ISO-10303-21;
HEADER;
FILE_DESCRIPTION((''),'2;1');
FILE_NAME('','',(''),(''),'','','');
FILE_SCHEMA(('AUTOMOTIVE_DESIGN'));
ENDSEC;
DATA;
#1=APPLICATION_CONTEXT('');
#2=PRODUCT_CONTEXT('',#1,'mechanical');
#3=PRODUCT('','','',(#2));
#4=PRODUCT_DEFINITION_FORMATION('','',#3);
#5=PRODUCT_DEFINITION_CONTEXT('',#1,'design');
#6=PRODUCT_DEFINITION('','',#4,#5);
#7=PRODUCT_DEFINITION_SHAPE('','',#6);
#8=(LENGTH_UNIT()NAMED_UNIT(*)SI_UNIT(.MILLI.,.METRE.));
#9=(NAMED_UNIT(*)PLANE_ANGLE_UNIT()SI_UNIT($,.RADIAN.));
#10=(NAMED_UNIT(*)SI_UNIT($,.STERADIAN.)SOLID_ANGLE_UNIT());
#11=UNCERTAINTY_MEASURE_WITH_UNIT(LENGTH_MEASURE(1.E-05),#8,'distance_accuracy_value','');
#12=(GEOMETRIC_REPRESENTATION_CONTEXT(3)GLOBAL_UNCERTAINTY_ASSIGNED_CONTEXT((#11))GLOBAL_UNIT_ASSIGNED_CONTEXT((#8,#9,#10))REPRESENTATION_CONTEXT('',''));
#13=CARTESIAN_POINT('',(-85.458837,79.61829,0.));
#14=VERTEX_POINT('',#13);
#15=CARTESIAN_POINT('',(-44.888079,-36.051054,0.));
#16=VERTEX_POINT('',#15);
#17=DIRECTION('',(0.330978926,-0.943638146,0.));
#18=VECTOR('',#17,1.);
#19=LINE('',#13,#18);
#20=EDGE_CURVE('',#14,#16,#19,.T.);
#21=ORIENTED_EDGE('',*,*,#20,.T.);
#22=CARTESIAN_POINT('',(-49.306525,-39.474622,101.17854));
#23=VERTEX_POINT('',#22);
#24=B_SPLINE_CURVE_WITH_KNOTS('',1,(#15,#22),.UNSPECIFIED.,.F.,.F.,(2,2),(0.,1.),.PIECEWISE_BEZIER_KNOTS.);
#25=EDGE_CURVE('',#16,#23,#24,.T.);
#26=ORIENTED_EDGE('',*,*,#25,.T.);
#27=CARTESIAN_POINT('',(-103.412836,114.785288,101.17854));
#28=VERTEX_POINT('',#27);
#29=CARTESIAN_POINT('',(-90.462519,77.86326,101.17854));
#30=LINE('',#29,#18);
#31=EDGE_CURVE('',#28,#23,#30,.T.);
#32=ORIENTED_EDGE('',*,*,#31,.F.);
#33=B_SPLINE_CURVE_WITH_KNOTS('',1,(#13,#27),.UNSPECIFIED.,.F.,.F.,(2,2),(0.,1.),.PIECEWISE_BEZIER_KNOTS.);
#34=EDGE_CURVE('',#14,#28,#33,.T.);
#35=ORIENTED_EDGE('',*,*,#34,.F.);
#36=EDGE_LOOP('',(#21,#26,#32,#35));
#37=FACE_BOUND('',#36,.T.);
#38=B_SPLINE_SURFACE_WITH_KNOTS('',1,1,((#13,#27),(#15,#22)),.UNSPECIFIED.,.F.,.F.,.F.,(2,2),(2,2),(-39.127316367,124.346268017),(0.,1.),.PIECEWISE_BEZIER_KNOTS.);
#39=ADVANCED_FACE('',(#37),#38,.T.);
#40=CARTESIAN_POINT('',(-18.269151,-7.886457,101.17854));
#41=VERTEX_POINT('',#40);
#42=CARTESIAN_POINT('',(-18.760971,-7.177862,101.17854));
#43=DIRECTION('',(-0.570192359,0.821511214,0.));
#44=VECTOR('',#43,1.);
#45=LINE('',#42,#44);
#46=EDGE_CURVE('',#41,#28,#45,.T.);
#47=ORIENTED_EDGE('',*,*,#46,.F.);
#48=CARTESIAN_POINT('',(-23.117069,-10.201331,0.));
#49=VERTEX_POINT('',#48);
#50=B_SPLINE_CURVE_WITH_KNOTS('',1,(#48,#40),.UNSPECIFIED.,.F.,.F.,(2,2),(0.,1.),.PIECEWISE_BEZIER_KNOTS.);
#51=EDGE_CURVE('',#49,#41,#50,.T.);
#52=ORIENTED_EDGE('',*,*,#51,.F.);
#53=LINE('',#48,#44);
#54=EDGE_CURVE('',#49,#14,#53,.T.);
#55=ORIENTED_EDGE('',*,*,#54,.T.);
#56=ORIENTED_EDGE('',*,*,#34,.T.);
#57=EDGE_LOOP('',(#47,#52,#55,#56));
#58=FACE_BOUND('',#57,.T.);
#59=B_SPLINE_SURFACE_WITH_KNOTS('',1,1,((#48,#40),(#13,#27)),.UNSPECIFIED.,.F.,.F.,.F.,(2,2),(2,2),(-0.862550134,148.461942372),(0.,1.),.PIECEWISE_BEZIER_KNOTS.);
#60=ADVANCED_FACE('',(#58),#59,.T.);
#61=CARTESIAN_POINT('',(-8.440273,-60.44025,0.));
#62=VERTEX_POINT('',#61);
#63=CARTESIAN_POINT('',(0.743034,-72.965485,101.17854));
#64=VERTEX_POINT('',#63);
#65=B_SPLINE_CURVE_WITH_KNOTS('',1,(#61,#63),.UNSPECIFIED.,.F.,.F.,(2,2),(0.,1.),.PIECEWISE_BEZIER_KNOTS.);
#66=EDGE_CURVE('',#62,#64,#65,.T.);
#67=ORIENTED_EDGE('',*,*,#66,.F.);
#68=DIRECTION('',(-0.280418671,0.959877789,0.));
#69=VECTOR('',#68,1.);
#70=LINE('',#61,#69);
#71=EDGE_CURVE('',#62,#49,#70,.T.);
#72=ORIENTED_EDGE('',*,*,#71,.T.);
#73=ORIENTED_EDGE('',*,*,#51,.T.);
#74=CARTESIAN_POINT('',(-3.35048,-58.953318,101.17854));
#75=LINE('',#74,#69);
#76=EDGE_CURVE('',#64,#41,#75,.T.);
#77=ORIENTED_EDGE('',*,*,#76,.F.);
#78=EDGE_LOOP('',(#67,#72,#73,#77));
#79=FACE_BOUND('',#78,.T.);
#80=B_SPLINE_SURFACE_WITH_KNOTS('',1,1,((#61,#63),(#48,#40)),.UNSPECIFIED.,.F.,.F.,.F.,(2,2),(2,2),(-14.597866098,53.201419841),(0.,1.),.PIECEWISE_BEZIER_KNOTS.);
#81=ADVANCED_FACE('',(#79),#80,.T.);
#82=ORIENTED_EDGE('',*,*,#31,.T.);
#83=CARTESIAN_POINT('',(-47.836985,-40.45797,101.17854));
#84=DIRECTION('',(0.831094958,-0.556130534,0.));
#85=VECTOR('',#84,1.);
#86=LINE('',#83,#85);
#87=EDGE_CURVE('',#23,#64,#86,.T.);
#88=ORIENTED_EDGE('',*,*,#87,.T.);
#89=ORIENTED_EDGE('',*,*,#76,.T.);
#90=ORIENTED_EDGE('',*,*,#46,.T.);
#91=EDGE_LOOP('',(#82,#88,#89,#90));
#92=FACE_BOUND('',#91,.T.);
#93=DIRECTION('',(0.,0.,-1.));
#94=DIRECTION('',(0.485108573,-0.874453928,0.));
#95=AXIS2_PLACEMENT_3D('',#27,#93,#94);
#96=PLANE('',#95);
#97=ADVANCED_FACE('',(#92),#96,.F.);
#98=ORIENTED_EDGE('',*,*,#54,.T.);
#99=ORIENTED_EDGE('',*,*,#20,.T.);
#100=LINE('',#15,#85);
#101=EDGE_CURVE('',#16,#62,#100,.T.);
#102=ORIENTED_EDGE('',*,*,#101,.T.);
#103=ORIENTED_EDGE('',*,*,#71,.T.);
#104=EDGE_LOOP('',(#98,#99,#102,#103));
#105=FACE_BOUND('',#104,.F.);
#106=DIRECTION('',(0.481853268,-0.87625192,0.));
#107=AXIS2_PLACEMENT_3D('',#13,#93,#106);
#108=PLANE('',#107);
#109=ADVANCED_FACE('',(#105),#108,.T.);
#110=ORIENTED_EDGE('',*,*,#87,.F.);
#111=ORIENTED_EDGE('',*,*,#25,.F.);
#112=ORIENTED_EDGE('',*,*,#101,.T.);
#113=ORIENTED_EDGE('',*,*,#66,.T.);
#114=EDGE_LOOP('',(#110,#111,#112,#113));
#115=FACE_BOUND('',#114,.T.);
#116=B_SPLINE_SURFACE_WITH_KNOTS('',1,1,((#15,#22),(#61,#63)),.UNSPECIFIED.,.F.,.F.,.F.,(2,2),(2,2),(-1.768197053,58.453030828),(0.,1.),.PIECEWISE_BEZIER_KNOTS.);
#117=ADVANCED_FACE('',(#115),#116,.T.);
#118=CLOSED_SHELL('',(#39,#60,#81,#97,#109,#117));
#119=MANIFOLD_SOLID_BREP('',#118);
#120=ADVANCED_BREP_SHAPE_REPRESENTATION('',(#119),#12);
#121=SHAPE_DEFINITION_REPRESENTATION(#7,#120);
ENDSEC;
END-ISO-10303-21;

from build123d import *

# Parameters (mm, degrees)
F1_DEPTH = 101.17854
F1_TAPER = -3


with BuildPart() as f1:
    # F0 (on Top) → F1 (new body)
    with BuildSketch(Plane.XY):
        Polygon((-85.4588374496, 79.6182900667), (-44.8880791664, -36.0510535538), (-8.4402728826, -60.4402497411), (-23.117069155, -10.201331228), align=None)
    extrude(amount=F1_DEPTH, taper=F1_TAPER)


solid = f1.part
